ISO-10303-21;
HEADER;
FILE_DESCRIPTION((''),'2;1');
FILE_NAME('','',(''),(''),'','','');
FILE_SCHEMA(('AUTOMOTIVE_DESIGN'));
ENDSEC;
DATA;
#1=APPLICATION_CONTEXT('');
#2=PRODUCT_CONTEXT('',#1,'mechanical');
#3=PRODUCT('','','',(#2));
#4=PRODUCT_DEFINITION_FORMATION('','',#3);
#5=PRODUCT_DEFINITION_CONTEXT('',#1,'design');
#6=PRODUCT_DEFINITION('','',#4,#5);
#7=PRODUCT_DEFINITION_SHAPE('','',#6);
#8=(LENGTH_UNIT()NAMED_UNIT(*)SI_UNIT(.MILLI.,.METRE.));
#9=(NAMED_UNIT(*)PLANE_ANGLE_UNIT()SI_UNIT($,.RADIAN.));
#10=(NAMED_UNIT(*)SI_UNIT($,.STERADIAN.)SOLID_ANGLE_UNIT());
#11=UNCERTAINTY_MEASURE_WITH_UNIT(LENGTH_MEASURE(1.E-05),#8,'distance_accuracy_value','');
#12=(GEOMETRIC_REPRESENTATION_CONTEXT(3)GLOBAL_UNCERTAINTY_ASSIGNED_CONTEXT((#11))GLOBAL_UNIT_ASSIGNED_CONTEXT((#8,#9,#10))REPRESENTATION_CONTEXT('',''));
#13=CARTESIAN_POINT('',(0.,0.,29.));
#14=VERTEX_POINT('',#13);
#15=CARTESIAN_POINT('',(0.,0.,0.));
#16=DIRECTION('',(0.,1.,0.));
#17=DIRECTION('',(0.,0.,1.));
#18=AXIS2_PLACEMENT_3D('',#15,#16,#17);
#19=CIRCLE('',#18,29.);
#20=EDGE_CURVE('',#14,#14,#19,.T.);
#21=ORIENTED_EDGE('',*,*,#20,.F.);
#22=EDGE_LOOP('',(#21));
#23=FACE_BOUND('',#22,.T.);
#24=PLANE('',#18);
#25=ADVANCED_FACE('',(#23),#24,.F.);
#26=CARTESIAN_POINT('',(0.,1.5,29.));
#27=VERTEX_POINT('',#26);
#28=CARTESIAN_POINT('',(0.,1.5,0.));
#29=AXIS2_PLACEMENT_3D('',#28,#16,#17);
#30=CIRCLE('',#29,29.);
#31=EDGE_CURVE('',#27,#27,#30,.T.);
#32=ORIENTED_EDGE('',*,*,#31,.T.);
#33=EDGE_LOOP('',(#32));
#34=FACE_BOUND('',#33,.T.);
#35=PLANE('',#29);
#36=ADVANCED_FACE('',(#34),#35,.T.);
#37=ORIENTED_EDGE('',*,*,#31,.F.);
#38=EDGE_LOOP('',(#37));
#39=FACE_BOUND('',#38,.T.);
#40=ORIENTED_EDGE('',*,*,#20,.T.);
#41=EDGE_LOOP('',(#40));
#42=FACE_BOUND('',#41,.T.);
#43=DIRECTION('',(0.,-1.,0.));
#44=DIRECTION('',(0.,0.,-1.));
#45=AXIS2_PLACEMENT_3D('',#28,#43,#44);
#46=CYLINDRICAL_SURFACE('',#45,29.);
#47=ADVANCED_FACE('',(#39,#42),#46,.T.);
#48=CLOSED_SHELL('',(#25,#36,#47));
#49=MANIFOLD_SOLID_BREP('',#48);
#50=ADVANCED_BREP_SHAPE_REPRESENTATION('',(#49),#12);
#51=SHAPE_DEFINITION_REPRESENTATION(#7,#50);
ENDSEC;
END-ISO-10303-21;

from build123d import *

# Parameters (mm, degrees)
SKETCH_1_R      = 29
EXTRUDE_1_DEPTH = 1.5


with BuildPart() as part:
    # Эскиз1 → Бобышка-Вытянуть1 (new body)
    with BuildSketch(Plane(origin=(0, 0, 0), x_dir=(1, 0, 0), z_dir=(0, 1, 0))):
        Circle(SKETCH_1_R)
    extrude(amount=EXTRUDE_1_DEPTH)


solid = part.part
